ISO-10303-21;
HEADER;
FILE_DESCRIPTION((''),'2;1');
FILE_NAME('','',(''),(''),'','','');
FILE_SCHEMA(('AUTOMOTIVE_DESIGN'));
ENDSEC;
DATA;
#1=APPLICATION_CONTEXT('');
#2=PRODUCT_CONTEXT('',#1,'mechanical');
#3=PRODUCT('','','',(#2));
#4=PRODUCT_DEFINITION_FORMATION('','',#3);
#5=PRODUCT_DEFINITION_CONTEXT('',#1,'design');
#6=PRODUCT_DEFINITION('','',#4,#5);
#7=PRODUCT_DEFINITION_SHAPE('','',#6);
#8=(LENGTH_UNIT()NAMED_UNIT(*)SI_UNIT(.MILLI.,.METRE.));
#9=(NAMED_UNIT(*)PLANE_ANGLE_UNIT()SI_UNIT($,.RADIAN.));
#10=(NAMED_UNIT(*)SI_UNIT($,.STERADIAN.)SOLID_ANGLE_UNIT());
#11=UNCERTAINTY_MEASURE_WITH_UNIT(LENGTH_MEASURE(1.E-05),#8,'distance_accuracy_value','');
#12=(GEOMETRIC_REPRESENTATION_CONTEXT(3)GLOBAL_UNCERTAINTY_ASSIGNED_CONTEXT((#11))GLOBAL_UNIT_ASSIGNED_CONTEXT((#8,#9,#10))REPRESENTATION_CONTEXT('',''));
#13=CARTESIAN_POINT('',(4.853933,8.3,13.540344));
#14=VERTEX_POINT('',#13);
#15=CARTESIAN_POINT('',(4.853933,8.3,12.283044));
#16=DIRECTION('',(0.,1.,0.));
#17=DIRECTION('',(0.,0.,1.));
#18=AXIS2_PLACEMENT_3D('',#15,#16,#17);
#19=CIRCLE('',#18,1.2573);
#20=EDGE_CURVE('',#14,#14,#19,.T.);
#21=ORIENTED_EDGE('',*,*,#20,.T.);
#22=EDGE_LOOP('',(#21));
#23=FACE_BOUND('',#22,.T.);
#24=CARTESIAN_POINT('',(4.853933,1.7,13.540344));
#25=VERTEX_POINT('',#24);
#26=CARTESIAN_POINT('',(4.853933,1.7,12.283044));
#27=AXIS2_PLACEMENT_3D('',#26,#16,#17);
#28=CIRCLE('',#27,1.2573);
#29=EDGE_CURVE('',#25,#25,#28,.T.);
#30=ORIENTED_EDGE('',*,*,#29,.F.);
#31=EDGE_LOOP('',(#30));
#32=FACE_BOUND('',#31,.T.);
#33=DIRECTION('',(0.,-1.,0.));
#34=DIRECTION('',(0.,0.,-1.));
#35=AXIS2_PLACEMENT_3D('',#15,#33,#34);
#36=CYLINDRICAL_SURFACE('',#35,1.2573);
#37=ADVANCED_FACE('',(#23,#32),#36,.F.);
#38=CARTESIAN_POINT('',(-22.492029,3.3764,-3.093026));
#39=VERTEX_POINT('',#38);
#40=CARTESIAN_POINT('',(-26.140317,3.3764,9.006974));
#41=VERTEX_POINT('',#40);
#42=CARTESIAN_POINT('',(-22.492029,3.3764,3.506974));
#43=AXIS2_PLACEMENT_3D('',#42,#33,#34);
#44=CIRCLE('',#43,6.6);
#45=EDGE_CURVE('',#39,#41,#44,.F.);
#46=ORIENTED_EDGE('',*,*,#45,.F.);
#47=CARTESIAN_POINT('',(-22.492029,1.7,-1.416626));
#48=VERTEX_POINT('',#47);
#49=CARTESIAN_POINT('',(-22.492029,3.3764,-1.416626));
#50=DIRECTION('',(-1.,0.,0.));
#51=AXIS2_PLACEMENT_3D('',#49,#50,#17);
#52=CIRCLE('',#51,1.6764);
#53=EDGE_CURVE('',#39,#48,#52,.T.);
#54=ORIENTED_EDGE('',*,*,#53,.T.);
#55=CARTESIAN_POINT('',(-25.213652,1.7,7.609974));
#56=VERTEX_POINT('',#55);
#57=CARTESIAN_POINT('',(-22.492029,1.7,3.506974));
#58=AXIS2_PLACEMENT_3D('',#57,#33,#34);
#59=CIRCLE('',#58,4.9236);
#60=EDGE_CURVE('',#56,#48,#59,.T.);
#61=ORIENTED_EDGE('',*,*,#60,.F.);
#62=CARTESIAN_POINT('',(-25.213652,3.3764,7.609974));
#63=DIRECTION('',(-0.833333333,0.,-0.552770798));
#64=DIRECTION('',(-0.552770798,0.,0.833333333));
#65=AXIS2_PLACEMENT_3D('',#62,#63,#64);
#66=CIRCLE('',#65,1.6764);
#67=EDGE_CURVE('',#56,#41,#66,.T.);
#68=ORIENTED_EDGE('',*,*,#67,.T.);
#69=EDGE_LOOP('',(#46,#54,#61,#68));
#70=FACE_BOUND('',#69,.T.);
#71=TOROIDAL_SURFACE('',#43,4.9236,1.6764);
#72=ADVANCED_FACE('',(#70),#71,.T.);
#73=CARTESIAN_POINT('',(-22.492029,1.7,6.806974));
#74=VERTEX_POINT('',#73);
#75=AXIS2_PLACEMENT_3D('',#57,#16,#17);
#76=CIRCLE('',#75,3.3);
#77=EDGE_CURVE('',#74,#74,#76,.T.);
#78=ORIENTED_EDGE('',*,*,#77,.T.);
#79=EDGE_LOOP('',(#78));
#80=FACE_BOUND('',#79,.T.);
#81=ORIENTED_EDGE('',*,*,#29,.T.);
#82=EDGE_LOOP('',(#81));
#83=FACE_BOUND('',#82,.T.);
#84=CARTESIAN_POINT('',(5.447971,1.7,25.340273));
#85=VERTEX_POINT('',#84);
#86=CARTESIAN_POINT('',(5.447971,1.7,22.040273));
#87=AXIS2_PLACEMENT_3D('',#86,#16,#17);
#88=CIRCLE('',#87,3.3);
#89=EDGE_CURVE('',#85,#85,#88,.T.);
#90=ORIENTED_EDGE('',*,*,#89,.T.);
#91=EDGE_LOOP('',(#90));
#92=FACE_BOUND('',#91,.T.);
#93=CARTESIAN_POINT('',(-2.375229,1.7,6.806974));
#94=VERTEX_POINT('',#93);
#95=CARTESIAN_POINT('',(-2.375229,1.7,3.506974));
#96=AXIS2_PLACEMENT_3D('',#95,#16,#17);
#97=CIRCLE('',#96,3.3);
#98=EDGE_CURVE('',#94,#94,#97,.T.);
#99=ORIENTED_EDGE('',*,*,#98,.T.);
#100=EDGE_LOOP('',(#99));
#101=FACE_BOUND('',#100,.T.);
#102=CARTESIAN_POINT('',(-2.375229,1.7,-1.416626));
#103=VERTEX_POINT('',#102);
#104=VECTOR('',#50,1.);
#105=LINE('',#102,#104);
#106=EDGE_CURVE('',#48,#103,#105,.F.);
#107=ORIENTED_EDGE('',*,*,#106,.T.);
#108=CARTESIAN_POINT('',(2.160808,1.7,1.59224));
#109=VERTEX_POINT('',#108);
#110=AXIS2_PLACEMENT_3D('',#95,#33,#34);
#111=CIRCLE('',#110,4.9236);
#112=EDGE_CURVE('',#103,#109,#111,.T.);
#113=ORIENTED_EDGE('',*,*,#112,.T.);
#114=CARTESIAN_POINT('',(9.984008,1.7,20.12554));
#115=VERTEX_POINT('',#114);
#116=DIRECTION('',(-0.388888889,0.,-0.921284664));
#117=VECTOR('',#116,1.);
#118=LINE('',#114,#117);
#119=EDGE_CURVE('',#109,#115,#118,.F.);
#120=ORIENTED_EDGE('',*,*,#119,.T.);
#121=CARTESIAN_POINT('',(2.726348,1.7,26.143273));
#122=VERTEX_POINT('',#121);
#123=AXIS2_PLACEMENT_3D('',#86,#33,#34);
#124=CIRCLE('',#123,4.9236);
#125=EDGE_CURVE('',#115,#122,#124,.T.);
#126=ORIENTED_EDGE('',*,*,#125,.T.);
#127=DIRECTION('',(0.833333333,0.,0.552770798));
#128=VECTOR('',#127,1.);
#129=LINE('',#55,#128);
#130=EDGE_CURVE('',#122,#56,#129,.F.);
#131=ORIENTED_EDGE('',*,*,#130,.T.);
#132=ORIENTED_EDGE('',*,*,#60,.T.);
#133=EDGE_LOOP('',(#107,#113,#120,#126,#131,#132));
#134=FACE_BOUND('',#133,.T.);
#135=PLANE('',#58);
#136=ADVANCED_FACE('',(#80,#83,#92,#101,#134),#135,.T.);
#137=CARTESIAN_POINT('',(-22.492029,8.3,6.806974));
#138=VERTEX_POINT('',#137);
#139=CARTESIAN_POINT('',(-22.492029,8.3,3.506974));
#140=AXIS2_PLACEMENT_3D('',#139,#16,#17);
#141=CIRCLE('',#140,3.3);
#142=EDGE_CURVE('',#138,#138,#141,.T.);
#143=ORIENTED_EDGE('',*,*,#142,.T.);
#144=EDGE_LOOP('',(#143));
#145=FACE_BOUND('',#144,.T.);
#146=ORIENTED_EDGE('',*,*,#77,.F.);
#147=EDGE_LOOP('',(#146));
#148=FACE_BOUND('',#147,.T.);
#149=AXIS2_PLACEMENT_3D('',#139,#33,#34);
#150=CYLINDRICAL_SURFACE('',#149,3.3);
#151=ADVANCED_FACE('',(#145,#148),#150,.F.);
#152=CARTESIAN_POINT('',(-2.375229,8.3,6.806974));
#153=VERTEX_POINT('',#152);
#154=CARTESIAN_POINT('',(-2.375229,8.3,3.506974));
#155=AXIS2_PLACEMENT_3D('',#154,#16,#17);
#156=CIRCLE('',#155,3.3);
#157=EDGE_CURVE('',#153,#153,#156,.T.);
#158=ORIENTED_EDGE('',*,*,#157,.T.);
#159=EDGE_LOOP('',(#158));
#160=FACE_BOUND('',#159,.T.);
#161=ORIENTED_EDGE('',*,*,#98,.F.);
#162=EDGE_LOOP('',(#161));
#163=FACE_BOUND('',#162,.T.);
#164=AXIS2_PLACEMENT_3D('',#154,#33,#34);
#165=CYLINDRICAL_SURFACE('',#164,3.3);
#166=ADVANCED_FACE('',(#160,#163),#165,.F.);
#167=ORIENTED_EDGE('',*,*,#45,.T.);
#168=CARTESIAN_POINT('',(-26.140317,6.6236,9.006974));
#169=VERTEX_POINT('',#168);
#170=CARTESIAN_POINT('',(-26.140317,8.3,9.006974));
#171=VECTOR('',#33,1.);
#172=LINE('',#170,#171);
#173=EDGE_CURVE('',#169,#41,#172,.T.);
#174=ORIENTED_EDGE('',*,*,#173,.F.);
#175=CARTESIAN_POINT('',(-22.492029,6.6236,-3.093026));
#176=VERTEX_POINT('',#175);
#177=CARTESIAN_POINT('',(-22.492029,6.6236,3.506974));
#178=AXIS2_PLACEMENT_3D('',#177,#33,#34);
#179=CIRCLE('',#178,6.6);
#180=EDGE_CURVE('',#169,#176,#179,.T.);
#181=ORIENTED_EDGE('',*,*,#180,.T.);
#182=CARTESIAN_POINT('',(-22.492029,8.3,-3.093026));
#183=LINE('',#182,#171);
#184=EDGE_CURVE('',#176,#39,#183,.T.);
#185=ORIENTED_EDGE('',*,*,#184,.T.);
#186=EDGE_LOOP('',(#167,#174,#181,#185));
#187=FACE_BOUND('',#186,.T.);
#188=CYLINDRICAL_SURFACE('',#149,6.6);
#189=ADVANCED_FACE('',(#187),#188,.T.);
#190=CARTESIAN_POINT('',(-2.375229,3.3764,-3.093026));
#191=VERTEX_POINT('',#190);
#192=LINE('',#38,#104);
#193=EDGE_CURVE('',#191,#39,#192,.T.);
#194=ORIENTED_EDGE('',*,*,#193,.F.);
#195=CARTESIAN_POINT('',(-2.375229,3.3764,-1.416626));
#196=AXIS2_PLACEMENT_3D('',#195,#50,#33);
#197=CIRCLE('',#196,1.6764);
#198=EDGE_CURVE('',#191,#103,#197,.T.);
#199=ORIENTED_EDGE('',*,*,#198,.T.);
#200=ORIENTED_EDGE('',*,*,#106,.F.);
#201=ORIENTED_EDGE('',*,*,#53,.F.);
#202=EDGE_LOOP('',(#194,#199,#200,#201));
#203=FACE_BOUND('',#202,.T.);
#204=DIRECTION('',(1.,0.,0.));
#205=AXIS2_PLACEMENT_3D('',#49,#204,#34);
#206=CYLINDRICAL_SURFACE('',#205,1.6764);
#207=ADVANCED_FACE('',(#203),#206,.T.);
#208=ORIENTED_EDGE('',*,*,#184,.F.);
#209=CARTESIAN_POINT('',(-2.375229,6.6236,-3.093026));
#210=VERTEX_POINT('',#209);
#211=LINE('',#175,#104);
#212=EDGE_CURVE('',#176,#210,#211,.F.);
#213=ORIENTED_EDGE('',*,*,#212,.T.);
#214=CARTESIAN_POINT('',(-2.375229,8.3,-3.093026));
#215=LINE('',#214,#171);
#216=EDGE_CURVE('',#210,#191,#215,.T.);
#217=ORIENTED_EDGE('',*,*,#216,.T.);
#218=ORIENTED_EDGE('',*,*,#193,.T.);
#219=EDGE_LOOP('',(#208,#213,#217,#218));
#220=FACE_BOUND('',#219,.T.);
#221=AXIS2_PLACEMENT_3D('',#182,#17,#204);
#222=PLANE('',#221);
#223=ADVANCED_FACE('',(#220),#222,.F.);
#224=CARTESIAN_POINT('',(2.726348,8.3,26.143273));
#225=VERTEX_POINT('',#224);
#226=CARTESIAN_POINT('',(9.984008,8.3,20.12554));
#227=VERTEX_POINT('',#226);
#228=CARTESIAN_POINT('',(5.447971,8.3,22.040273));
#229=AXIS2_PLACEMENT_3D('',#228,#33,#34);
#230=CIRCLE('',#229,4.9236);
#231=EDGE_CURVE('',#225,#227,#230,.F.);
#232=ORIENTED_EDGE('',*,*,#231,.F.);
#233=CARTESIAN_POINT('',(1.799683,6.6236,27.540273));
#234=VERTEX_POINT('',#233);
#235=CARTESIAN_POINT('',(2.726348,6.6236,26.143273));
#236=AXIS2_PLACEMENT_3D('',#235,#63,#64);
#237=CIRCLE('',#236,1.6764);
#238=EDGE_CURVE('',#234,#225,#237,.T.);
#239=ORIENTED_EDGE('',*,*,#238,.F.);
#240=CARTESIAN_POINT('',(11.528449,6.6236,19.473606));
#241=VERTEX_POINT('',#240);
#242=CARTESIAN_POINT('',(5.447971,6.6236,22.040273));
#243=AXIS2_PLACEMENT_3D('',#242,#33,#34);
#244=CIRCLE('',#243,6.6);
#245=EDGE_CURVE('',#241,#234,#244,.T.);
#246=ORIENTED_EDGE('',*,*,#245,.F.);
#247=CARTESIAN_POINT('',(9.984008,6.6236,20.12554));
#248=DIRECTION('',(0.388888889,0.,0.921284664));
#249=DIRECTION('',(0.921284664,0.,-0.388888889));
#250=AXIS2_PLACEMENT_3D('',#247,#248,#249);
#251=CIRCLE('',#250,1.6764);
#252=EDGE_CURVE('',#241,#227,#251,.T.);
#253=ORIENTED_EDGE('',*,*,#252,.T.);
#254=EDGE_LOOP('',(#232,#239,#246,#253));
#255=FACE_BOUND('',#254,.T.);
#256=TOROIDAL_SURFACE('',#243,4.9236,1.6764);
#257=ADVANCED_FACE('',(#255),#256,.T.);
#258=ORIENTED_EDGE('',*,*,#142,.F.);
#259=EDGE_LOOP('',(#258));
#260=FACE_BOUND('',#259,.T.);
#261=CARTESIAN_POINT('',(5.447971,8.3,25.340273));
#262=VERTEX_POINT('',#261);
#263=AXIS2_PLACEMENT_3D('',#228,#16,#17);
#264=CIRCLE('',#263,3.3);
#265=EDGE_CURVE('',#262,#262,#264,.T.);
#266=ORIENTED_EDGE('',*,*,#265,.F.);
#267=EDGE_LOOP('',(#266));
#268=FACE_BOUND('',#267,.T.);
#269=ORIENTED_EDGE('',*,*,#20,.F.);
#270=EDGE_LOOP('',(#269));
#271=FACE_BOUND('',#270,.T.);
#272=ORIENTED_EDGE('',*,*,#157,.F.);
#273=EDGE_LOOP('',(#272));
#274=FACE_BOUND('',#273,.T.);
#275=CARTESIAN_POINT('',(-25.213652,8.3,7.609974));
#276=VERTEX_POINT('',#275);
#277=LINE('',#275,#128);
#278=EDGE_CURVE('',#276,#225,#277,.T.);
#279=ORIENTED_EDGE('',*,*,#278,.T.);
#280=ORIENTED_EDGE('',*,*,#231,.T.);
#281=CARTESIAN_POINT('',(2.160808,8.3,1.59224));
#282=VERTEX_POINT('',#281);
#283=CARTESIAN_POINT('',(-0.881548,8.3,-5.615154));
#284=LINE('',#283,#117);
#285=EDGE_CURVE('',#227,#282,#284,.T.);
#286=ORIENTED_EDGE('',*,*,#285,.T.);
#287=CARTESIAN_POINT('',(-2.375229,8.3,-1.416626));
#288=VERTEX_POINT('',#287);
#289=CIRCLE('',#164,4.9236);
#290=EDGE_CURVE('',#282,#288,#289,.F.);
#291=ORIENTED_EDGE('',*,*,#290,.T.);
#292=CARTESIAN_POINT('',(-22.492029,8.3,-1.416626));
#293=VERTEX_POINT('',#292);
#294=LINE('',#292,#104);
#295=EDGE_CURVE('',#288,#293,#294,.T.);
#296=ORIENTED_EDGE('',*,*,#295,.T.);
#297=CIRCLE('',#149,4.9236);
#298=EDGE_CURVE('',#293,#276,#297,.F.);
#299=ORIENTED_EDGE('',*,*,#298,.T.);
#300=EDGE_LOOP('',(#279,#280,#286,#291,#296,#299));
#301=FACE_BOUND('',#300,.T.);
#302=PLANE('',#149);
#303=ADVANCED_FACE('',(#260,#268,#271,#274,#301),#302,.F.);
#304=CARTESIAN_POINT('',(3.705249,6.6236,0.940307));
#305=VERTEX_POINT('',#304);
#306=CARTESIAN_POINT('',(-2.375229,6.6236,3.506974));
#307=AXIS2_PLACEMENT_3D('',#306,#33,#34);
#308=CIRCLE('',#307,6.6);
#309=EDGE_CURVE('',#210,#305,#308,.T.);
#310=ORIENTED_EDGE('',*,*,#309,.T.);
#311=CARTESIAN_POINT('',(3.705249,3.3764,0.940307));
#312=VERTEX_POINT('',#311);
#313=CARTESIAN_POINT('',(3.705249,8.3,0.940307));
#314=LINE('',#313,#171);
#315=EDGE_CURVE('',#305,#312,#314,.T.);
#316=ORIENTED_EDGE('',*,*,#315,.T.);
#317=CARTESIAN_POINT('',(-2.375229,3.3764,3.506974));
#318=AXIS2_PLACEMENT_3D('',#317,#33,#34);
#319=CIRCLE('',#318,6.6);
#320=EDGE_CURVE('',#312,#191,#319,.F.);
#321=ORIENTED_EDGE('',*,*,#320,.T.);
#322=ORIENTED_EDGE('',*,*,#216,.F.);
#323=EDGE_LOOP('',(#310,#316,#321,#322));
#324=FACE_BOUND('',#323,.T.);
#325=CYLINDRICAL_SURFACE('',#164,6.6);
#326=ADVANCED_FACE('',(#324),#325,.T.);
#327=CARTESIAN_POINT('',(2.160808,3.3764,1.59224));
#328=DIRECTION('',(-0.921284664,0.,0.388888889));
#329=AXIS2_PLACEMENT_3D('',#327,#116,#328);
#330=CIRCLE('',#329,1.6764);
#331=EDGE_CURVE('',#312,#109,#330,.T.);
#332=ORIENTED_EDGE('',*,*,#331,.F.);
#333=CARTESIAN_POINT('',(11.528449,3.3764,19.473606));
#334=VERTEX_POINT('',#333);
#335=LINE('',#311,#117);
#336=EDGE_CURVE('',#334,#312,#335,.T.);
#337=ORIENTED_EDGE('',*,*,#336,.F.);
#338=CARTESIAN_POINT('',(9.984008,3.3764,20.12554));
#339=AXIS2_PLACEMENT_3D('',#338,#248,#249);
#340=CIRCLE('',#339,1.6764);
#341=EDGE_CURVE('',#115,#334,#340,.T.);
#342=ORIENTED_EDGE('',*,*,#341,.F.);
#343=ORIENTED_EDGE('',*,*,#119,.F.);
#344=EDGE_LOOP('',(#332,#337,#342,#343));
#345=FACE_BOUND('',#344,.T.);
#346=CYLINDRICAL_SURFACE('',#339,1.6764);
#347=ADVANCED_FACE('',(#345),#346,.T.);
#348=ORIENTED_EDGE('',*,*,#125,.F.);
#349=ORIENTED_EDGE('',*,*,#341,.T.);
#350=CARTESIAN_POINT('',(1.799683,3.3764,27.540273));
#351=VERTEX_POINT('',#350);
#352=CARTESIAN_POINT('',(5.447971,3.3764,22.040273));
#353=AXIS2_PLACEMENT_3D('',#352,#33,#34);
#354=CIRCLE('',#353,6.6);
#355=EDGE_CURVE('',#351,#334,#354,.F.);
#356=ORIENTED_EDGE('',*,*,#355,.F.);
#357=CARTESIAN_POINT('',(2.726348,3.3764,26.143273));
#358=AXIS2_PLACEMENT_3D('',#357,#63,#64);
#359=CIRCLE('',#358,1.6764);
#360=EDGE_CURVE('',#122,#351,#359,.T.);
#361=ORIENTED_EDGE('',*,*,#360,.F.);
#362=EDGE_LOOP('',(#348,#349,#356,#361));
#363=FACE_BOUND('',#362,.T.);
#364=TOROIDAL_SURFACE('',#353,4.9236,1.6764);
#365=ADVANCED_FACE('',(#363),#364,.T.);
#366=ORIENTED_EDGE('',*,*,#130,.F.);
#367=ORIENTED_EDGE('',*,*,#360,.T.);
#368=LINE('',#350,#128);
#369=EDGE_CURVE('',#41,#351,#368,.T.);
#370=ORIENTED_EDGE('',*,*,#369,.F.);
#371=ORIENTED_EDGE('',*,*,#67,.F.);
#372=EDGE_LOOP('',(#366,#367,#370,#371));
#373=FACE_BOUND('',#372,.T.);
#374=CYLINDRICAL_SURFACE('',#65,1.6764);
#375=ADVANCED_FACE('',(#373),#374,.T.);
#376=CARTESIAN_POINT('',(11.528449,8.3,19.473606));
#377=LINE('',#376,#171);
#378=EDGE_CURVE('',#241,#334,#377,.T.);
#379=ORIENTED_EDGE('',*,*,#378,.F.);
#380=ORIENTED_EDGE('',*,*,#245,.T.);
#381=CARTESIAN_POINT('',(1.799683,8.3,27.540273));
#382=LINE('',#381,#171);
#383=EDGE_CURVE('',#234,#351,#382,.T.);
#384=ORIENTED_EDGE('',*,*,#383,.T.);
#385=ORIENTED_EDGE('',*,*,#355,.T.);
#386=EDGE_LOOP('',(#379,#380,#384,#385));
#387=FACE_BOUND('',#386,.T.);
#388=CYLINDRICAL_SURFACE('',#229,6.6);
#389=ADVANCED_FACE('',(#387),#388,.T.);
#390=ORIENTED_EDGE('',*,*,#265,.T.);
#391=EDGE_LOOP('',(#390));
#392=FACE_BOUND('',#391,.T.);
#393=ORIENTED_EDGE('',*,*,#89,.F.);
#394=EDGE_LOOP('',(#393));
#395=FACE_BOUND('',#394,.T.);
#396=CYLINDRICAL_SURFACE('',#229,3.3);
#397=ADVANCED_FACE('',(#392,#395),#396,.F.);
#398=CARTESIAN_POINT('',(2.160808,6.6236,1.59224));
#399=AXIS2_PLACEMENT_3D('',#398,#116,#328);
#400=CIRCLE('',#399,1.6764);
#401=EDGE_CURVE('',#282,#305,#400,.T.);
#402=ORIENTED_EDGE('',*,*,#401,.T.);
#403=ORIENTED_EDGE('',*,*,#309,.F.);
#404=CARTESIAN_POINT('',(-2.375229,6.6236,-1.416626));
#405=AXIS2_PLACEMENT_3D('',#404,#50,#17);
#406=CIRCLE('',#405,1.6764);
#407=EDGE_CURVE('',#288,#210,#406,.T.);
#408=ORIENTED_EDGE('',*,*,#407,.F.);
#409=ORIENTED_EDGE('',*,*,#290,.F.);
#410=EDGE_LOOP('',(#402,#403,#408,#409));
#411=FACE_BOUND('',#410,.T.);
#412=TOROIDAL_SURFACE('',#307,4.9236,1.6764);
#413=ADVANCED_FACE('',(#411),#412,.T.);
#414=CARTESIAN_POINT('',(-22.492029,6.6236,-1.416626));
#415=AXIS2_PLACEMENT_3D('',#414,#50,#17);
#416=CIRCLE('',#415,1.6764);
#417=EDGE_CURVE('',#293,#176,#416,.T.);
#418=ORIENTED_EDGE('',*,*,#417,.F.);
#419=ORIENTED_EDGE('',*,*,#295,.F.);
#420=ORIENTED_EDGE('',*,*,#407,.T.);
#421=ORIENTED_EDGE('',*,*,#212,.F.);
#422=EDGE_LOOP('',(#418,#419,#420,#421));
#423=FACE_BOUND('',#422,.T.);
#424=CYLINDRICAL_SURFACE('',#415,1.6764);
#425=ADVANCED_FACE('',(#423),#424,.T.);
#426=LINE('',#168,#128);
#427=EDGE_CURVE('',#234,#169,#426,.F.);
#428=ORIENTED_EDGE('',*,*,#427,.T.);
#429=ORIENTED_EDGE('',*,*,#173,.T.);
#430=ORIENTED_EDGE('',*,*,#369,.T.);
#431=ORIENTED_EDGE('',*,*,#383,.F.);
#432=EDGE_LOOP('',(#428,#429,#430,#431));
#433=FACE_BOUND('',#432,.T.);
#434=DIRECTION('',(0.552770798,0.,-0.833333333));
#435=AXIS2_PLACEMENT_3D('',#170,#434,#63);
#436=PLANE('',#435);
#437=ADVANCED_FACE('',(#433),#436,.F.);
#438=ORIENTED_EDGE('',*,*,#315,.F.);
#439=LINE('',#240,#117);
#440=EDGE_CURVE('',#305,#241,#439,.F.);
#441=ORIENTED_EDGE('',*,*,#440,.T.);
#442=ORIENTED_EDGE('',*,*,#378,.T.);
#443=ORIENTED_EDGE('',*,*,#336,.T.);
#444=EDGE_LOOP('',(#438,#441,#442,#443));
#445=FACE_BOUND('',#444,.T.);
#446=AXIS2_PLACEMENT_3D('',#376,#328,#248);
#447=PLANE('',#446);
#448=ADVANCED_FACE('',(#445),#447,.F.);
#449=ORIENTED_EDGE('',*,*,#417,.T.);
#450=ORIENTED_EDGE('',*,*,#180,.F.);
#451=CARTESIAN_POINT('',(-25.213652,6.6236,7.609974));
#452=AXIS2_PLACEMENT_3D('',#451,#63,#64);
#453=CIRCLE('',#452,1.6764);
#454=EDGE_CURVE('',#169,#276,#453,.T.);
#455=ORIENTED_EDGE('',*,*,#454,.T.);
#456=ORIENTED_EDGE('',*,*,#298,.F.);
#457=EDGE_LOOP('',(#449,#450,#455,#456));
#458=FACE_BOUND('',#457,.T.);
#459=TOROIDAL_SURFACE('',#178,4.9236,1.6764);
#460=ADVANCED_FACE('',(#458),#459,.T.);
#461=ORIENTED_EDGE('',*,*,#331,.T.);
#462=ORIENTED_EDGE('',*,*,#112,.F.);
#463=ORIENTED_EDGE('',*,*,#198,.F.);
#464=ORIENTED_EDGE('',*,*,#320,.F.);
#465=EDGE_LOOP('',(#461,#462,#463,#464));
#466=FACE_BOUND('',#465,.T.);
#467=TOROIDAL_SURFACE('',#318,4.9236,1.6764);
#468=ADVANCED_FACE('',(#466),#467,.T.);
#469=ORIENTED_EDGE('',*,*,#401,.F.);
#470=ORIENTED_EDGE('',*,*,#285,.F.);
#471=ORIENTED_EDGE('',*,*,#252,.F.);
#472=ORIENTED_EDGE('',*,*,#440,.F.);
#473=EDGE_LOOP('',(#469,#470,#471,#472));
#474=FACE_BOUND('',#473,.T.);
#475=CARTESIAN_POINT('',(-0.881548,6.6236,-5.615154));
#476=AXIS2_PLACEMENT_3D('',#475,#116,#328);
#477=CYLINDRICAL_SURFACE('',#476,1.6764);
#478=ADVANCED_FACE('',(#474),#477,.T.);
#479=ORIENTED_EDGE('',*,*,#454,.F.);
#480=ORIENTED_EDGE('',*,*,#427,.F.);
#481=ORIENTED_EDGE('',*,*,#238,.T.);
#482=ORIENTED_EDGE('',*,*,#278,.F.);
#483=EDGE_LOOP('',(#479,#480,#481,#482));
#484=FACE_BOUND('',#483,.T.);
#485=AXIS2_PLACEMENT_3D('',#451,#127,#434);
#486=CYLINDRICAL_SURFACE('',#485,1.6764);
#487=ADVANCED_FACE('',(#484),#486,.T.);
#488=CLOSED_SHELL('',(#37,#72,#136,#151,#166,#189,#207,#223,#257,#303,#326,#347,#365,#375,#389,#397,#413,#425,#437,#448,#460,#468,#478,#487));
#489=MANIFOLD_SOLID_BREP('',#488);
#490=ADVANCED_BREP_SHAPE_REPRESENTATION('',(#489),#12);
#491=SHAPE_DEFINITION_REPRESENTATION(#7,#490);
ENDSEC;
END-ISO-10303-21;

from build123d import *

# Parameters (mm, degrees)
SKETCH1_R           = 5
SKETCH1_R_2         = 1.905
BOSS_EXTRUDE1_DEPTH = 10
FILLET1_R           = 2.54
SCALE1_SCALE        = 0.66


with BuildPart() as part:
    # Sketch1 → Boss-Extrude1 (new body)
    with BuildSketch(Plane(origin=(0, 0, 0), x_dir=(1, 0, 0), z_dir=(0, 1, 0))):
        with BuildLine():
            Line((-36.007707984, -8.333333333), (6.325625349, -36.414089892))
            ThreePointArc((6.325625349, -36.414089892), (18.236180718, -35.778760148), (21.066179973, -24.191867669))
            Line((21.066179973, -24.191867669), (9.21284664, 3.888888889))
            ThreePointArc((9.21284664, 3.888888889), (5.527707984, 8.333333333), (0, 10))
            Line((0, 10), (-30.48, 10))
            ThreePointArc((-30.48, 10), (-40.054271078, 2.886751346), (-36.007707984, -8.333333333))
        make_face()
        with Locations((-30.48, 0)):
            Circle(SKETCH1_R, mode=Mode.SUBTRACT)
        Circle(SKETCH1_R, mode=Mode.SUBTRACT)
        with Locations((11.853333333, -28.080756558)):
            Circle(SKETCH1_R, mode=Mode.SUBTRACT)
        with Locations((10.953276102, -13.297076469)):
            Circle(SKETCH1_R_2, mode=Mode.SUBTRACT)
    extrude(amount=BOSS_EXTRUDE1_DEPTH)

    # Fillet1
    fillet1_edges = [part.edges().sort_by_distance(p)[0] for p in [
        (18.236180718, 10, 35.778760148),
        (15.139513307, 10, 10.15148939),
        (5.527707984, 10, -8.333333333),
        (-15.24, 10, -10),
        (-40.054271078, 10, -2.886751346),
        (-15.24, 0, -10),
        (5.527707984, 0, -8.333333333),
        (15.139513307, 0, 10.15148939),
        (-14.841041317, 10, 22.373711613),
        (18.236180718, 0, 35.778760148),
        (-14.841041317, 0, 22.373711613),
        (-40.054271078, 0, -2.886751346),
    ]]
    fillet(fillet1_edges, radius=FILLET1_R)


with BuildPart() as part_1:
    # Scale1: scaled about (-6.985968974, 5, 10.314628386)
    add(part.part.scale(SCALE1_SCALE).moved(Location((-2.375229451, 1.7, 3.506973651))))


solid = part_1.part
